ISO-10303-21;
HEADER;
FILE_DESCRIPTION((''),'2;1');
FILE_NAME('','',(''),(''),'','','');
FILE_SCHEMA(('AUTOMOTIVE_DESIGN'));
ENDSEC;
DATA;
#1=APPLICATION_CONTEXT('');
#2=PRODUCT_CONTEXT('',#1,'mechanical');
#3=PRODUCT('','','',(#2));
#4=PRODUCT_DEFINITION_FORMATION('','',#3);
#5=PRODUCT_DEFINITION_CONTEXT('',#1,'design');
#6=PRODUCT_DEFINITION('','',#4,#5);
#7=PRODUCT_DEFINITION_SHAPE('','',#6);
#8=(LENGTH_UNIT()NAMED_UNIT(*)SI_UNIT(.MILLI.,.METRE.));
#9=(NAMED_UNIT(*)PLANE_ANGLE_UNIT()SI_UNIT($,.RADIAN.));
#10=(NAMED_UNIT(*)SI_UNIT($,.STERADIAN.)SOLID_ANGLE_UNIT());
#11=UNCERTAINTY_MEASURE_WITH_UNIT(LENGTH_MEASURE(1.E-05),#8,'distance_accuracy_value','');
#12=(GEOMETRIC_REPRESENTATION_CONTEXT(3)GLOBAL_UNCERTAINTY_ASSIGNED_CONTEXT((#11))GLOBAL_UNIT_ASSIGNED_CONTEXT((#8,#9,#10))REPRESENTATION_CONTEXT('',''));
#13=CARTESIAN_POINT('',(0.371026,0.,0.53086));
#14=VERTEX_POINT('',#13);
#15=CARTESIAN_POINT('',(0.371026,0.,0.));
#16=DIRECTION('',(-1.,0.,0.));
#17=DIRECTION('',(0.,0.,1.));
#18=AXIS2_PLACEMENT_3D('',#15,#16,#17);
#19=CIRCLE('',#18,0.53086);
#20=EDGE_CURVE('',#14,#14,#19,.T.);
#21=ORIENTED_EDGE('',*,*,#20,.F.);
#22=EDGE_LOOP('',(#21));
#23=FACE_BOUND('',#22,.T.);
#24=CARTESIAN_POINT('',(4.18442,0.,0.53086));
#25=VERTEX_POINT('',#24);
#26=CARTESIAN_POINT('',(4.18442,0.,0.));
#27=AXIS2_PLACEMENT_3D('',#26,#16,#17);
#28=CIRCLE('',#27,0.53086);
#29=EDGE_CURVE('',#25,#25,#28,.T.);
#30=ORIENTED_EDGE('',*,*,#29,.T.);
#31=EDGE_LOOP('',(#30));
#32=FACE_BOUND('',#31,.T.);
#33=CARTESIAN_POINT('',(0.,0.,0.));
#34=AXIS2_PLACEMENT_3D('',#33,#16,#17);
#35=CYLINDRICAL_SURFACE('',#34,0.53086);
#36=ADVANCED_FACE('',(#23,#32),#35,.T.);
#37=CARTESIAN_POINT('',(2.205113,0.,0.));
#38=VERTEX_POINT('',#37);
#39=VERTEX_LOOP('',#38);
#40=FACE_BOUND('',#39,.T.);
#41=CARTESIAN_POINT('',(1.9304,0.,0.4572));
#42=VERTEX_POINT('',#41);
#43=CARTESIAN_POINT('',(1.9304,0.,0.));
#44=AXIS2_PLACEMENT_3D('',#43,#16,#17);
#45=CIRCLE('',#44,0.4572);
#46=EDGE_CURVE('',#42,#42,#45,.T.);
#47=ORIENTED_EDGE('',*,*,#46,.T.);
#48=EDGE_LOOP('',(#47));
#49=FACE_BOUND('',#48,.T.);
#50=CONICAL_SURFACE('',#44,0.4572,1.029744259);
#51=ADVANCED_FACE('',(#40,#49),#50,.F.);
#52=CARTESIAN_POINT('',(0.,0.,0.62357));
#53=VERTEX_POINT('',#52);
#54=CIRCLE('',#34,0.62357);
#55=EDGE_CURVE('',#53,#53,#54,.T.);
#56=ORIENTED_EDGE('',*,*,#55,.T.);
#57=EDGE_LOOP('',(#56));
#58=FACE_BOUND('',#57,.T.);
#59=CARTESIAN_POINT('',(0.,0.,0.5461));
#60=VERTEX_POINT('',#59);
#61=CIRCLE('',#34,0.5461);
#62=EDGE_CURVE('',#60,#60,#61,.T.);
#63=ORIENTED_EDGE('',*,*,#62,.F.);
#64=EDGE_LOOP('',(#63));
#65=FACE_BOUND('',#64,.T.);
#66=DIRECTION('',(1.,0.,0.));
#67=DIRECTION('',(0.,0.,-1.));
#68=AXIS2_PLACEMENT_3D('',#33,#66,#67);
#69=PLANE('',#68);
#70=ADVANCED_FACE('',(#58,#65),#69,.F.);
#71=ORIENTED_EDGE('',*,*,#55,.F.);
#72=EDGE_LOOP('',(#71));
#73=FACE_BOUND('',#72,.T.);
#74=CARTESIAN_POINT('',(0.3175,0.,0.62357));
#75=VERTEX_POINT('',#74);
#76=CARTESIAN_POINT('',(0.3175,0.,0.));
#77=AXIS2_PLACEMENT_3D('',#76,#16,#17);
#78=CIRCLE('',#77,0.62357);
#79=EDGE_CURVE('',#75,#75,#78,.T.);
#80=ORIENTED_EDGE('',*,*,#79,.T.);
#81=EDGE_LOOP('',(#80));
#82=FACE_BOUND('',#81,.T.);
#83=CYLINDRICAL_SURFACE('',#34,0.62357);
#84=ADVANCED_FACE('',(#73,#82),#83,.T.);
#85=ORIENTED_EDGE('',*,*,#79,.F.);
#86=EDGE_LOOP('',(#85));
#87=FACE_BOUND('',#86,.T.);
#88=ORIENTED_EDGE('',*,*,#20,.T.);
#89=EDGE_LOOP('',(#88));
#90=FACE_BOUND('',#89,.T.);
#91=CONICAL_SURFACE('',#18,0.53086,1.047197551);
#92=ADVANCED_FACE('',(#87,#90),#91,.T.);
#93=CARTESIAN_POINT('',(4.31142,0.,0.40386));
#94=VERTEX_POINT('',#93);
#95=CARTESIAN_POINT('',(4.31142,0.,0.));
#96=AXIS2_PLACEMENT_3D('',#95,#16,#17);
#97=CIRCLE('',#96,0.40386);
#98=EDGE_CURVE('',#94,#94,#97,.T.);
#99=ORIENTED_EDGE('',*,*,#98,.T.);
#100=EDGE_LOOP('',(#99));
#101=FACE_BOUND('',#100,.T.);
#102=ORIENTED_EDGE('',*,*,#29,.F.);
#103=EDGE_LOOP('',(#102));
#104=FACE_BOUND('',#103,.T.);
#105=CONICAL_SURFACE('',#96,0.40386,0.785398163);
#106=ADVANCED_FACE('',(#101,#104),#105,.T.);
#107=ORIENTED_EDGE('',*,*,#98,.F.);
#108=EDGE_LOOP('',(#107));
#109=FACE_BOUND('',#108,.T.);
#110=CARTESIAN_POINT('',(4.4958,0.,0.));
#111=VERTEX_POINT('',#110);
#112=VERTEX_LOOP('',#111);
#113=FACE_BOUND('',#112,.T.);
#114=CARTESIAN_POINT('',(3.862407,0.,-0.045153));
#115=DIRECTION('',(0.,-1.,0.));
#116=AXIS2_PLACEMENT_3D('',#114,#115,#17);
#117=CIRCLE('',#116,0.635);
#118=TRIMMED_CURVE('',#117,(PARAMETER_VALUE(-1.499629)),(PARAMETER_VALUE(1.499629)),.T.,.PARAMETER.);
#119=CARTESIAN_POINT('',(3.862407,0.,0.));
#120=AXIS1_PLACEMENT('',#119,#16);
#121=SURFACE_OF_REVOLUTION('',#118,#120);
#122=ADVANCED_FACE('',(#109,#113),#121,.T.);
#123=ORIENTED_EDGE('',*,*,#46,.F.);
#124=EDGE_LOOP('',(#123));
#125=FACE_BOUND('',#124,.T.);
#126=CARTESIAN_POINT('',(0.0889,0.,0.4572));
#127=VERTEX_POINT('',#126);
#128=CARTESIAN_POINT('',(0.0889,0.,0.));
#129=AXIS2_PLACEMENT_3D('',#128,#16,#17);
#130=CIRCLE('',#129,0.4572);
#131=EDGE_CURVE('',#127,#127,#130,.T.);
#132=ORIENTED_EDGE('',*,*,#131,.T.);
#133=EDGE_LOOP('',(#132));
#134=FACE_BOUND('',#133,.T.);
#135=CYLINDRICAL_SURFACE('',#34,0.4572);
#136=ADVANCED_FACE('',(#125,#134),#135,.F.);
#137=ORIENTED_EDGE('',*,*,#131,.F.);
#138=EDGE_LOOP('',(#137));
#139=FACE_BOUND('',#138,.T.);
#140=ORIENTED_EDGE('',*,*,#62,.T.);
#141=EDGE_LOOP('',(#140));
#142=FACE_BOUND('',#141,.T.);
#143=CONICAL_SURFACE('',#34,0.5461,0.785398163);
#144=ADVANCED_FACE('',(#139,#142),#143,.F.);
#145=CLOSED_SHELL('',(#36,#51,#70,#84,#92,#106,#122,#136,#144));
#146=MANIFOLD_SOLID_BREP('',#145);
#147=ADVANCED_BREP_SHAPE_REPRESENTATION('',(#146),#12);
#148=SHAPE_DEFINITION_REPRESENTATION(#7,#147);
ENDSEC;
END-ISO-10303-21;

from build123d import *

# Parameters (mm, degrees)
HOLE2_D           = 0.9144
HOLE2_DEPTH       = 1.9304
HOLE2_CSINK_D     = 1.0922
HOLE2_CSINK_ANGLE = 90
HOLE2_TIP         = 0.274713475


with BuildPart() as part:
    # Sketch1 → RevolutionAngle1 (revolve)
    with BuildSketch(Plane.XY, mode=Mode.PRIVATE) as revolutionangle1_sk:
        with BuildLine():
            Line((0, 0), (0, 0.62357))
            Line((0, 0.62357), (0.3175, 0.62357))
            Line((0.3175, 0.62357), (0.371026143, 0.53086))
            Line((0.371026143, 0.53086), (4.184420176, 0.53086))
            Line((4.184420176, 0.53086), (4.311420176, 0.40386))
            ThreePointArc((4.311420176, 0.40386), (4.440054413, 0.218568435), (4.4958, 0))
            Line((4.4958, 0), (0, 0))
        make_face()
    revolve(revolutionangle1_sk.sketch.rotate(Axis((0, 0, 0), (1, 0, 0)), 90), axis=Axis((0, 0, 0), (1, 0, 0)))

    # Hole2
    with Locations(Plane(origin=(0, 0, 0), x_dir=(0, 0, -1), z_dir=(-1, 0, 0))):
        with Locations((0, 0)):
            CounterSinkHole(HOLE2_D / 2, HOLE2_CSINK_D / 2, depth=HOLE2_DEPTH, counter_sink_angle=HOLE2_CSINK_ANGLE)
            with Locations((0, 0, -(HOLE2_DEPTH + HOLE2_TIP / 2))):  # 118° drill point
                Cone(0, HOLE2_D / 2, HOLE2_TIP, mode=Mode.SUBTRACT)


solid = part.part
